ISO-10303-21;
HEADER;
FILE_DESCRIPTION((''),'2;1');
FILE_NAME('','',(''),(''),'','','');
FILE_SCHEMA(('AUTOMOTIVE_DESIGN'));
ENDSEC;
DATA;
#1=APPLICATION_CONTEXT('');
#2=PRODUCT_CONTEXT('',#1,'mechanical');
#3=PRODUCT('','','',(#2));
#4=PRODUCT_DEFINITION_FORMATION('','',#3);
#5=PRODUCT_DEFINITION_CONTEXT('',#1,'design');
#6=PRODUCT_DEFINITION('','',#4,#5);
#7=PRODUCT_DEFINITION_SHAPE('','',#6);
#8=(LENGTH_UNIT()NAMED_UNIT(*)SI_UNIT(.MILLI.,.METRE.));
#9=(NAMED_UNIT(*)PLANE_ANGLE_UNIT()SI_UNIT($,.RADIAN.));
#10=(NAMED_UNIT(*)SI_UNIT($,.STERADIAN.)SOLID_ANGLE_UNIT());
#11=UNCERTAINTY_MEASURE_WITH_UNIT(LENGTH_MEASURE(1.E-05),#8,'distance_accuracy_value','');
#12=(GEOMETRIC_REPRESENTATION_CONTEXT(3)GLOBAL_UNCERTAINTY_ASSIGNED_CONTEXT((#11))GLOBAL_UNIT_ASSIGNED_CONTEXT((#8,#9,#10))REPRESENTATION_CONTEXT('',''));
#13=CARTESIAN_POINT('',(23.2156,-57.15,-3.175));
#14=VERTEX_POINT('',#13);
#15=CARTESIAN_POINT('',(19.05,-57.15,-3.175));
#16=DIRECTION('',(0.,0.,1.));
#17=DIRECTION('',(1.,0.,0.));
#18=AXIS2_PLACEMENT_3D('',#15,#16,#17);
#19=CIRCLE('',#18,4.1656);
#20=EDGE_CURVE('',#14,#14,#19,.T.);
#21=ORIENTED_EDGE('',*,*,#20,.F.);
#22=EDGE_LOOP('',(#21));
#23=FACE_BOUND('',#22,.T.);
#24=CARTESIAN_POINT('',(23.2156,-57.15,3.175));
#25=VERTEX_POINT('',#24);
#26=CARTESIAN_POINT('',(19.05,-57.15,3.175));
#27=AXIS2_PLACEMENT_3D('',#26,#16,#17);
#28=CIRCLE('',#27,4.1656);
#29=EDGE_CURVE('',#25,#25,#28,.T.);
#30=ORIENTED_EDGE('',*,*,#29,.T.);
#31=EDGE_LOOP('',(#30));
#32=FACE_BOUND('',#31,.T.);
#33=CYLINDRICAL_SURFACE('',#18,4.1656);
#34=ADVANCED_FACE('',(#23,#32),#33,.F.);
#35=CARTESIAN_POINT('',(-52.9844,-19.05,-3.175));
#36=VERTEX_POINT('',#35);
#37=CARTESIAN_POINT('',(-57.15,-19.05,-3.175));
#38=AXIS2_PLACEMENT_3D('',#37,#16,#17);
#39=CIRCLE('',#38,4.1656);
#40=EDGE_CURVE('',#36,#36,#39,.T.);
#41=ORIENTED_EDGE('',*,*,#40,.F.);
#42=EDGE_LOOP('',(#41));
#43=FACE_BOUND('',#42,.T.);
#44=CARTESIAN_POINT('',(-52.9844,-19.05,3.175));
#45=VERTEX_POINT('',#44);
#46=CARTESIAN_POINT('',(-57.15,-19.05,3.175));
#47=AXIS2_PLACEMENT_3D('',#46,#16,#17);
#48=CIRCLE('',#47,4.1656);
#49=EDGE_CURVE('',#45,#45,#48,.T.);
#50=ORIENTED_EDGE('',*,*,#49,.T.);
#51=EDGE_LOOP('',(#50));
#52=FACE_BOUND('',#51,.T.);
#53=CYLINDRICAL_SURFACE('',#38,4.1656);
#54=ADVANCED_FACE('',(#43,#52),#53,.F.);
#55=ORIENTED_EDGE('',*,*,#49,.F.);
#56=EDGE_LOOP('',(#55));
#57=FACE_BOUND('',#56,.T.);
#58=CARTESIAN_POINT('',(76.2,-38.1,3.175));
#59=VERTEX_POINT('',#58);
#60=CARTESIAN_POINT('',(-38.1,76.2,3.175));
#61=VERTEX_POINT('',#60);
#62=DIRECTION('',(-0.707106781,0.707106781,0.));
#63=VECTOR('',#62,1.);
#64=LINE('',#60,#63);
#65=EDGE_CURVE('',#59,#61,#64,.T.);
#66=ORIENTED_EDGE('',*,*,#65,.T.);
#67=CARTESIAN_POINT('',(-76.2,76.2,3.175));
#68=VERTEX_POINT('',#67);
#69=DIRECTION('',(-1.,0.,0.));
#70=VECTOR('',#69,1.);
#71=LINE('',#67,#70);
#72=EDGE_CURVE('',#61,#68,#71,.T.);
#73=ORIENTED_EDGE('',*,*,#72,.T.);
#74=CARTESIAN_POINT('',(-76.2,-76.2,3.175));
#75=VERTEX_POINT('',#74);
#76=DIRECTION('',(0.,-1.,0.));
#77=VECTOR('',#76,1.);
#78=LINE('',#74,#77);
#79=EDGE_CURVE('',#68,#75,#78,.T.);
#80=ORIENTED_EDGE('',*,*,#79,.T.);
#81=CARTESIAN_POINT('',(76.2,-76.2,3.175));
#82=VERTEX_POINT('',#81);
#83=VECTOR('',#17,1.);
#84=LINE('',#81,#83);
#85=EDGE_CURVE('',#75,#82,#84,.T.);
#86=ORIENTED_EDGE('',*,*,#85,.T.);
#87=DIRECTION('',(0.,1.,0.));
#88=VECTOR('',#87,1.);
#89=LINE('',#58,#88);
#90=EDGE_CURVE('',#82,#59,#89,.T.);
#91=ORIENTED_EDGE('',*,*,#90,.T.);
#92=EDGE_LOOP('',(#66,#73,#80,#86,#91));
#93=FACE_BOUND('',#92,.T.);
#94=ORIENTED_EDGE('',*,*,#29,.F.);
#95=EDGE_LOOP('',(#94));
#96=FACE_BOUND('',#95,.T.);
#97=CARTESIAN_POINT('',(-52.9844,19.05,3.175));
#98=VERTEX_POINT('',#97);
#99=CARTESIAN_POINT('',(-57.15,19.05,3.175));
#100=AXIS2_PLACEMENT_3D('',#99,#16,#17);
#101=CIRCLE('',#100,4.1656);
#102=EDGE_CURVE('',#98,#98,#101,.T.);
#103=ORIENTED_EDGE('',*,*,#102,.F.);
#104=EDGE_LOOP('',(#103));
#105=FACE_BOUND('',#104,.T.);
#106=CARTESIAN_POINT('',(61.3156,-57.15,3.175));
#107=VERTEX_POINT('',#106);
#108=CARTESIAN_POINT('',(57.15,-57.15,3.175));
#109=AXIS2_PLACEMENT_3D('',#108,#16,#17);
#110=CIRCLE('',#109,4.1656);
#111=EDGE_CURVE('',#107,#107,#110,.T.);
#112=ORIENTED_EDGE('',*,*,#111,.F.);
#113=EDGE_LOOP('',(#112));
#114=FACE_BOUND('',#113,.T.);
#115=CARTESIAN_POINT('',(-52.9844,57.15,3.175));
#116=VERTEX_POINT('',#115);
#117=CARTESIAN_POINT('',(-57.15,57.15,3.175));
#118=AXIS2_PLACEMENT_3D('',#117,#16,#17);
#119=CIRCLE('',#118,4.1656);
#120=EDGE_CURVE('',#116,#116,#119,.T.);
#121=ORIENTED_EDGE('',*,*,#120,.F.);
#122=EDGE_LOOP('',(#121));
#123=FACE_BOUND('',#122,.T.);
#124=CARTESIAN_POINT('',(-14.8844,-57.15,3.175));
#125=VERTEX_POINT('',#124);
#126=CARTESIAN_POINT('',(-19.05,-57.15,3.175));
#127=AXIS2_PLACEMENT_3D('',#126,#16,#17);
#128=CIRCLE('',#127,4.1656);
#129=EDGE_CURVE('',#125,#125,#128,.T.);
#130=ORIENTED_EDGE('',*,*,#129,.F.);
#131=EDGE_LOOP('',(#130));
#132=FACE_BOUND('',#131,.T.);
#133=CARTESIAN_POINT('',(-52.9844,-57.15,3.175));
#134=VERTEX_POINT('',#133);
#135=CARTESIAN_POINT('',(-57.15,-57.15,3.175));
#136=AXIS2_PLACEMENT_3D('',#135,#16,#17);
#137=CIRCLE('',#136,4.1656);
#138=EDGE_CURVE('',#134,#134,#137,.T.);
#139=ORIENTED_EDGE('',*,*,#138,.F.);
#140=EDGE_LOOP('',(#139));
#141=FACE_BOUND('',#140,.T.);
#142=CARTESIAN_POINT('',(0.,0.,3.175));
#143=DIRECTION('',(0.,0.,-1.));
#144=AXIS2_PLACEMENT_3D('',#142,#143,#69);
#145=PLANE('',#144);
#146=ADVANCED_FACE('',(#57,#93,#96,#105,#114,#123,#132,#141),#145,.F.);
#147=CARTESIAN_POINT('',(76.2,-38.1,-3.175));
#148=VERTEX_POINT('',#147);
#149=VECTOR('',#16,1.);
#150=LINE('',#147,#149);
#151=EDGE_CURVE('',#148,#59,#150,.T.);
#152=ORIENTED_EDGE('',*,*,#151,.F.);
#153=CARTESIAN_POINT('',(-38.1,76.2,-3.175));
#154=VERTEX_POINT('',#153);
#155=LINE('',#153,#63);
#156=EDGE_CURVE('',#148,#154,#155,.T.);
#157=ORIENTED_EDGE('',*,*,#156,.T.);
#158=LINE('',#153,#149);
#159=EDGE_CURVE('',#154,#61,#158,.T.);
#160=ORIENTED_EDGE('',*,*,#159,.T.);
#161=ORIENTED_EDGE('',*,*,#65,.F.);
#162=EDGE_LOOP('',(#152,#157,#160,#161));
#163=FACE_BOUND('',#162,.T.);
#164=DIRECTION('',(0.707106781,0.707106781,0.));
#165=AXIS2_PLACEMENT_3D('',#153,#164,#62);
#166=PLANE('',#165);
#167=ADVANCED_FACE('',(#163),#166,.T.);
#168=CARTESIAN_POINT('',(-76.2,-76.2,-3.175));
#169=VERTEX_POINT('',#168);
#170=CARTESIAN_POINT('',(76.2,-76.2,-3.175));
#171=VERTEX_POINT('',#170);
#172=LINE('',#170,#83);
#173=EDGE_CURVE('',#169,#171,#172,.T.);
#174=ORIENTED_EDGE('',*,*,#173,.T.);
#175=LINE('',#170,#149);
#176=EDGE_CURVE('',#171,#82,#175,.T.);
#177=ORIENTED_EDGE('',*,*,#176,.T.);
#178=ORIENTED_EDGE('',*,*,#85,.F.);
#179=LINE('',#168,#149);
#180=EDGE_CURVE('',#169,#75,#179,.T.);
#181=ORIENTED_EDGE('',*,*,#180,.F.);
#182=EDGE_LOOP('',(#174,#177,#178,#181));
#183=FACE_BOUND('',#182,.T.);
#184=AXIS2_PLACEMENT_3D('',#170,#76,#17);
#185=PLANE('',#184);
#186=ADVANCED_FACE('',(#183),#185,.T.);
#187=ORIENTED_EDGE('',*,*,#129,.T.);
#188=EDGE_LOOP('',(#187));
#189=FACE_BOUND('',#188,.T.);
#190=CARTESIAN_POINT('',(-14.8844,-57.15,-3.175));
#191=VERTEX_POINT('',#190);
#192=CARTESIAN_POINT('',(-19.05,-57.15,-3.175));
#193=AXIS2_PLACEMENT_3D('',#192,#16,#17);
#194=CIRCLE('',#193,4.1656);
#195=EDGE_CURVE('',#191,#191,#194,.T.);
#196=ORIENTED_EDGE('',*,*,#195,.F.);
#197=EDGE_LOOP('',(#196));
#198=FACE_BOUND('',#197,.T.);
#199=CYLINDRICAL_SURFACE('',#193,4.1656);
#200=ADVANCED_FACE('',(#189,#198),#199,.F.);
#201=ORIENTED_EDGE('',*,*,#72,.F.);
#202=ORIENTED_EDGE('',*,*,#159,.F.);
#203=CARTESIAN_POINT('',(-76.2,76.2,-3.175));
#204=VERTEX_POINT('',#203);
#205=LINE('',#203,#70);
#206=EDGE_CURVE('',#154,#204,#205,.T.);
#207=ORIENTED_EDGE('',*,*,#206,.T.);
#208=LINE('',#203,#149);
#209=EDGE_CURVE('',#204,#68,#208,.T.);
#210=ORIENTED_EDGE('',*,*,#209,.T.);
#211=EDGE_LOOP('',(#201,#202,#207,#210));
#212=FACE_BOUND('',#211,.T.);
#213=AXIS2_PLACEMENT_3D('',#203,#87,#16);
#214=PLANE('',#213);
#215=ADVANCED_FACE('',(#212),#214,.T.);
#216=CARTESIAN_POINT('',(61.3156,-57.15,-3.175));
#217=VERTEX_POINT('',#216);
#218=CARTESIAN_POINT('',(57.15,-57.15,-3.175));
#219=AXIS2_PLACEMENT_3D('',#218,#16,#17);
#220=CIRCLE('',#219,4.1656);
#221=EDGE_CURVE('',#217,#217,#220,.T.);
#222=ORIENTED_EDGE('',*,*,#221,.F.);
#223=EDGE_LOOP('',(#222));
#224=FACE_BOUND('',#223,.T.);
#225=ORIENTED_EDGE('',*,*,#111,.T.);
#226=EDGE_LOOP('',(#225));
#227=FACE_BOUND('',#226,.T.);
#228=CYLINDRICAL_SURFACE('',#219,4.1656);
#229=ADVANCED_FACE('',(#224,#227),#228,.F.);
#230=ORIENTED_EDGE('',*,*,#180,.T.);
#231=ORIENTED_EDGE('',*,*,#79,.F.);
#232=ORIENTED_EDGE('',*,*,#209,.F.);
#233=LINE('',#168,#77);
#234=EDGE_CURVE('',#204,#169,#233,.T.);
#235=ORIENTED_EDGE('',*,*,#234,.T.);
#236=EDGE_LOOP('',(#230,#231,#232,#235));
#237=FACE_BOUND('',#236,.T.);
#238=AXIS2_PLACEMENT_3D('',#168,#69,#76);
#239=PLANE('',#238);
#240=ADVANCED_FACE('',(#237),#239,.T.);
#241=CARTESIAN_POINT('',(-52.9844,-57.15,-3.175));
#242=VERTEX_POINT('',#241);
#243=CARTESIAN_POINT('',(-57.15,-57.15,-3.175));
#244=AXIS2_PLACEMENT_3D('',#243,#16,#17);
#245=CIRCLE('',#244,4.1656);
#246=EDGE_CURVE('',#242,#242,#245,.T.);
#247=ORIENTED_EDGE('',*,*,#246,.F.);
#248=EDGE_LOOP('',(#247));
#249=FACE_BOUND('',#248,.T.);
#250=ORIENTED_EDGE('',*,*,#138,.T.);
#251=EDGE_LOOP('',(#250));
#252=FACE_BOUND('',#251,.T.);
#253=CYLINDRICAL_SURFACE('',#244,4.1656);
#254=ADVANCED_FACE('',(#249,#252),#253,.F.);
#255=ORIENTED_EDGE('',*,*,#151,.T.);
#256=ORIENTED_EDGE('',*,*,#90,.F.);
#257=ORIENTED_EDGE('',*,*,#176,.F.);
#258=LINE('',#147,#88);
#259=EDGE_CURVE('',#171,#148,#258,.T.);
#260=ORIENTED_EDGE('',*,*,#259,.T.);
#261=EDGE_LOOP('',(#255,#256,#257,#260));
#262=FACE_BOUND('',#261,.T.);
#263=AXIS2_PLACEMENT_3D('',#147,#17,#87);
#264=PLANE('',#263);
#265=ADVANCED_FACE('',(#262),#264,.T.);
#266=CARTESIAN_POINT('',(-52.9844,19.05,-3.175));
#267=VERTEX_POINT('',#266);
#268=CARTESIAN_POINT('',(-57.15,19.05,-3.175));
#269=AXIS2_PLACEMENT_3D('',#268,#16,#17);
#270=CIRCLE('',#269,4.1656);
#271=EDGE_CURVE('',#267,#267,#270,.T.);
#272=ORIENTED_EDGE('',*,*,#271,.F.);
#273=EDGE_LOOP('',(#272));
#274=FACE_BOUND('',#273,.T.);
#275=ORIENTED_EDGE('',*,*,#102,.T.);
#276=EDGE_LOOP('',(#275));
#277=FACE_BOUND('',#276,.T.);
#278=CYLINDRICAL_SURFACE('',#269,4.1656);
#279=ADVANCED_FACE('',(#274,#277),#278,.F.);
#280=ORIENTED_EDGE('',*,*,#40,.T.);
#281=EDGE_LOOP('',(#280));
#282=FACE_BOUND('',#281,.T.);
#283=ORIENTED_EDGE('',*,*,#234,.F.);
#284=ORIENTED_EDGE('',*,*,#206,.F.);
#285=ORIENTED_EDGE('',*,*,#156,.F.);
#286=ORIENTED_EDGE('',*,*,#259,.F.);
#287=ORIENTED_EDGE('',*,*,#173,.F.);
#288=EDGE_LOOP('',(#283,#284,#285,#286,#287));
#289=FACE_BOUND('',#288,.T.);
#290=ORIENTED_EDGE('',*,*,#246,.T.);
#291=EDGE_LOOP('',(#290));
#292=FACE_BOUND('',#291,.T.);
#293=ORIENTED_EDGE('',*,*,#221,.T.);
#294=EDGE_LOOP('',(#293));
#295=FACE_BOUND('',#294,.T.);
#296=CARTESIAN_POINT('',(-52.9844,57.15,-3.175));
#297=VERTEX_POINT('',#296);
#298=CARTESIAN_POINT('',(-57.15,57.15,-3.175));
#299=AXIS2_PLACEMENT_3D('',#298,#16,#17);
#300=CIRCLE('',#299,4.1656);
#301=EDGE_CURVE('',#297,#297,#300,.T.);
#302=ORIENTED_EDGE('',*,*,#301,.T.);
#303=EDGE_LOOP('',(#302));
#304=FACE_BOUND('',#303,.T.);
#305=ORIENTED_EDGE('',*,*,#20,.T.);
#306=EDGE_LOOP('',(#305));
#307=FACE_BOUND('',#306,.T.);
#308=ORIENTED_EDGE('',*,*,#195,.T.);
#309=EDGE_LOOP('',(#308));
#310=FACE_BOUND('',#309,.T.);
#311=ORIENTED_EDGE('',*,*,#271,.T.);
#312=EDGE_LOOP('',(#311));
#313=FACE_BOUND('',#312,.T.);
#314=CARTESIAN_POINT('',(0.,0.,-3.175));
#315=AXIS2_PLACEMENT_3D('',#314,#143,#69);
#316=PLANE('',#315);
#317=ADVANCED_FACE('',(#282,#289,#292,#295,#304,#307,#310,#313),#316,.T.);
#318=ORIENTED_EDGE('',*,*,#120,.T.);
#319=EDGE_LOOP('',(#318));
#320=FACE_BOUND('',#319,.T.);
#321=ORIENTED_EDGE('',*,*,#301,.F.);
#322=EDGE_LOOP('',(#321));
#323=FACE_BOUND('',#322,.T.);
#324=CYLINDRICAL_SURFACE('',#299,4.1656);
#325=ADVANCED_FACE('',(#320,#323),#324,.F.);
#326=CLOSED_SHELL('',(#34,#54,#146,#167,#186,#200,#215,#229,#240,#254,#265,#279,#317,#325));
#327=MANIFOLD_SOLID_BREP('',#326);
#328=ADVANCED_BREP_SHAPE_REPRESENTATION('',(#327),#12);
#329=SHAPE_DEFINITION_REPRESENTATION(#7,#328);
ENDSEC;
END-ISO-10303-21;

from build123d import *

# Parameters (mm, degrees)
BOSS_EXTRUDE1_DEPTH      = 3.175
BOSS_EXTRUDE1_DEPTH_BACK = 3.175
SKETCH4_R                = 4.1656
CUT_EXTRUDE1_DEPTH       = 7.35


with BuildPart() as part:
    # Sketch3 → Boss-Extrude1 (new body, two sides)
    with BuildSketch(Plane.XY) as boss_extrude1_sk:
        Polygon((76.2, -38.1), (76.2, -76.2), (-76.2, -76.2), (-76.2, 76.2), (-38.1, 76.2), align=None)
    extrude(amount=BOSS_EXTRUDE1_DEPTH)
    extrude(boss_extrude1_sk.sketch, amount=-BOSS_EXTRUDE1_DEPTH_BACK)

    # Sketch4 → Cut-Extrude1 (cut, through all)
    with BuildSketch(Plane.XY.offset(3.175)):
        with Locations((-57.15, -57.15)):
            Circle(SKETCH4_R)
        with Locations((-19.05, -57.15)):
            Circle(SKETCH4_R)
        with Locations((19.05, -57.15)):
            Circle(SKETCH4_R)
        with Locations((-57.15, -19.05)):
            Circle(SKETCH4_R)
        with Locations((-57.15, 19.05)):
            Circle(SKETCH4_R)
        with Locations((57.15, -57.15)):
            Circle(SKETCH4_R)
        with Locations((-57.15, 57.15)):
            Circle(SKETCH4_R)
    extrude(amount=-CUT_EXTRUDE1_DEPTH, mode=Mode.SUBTRACT)


solid = part.part
